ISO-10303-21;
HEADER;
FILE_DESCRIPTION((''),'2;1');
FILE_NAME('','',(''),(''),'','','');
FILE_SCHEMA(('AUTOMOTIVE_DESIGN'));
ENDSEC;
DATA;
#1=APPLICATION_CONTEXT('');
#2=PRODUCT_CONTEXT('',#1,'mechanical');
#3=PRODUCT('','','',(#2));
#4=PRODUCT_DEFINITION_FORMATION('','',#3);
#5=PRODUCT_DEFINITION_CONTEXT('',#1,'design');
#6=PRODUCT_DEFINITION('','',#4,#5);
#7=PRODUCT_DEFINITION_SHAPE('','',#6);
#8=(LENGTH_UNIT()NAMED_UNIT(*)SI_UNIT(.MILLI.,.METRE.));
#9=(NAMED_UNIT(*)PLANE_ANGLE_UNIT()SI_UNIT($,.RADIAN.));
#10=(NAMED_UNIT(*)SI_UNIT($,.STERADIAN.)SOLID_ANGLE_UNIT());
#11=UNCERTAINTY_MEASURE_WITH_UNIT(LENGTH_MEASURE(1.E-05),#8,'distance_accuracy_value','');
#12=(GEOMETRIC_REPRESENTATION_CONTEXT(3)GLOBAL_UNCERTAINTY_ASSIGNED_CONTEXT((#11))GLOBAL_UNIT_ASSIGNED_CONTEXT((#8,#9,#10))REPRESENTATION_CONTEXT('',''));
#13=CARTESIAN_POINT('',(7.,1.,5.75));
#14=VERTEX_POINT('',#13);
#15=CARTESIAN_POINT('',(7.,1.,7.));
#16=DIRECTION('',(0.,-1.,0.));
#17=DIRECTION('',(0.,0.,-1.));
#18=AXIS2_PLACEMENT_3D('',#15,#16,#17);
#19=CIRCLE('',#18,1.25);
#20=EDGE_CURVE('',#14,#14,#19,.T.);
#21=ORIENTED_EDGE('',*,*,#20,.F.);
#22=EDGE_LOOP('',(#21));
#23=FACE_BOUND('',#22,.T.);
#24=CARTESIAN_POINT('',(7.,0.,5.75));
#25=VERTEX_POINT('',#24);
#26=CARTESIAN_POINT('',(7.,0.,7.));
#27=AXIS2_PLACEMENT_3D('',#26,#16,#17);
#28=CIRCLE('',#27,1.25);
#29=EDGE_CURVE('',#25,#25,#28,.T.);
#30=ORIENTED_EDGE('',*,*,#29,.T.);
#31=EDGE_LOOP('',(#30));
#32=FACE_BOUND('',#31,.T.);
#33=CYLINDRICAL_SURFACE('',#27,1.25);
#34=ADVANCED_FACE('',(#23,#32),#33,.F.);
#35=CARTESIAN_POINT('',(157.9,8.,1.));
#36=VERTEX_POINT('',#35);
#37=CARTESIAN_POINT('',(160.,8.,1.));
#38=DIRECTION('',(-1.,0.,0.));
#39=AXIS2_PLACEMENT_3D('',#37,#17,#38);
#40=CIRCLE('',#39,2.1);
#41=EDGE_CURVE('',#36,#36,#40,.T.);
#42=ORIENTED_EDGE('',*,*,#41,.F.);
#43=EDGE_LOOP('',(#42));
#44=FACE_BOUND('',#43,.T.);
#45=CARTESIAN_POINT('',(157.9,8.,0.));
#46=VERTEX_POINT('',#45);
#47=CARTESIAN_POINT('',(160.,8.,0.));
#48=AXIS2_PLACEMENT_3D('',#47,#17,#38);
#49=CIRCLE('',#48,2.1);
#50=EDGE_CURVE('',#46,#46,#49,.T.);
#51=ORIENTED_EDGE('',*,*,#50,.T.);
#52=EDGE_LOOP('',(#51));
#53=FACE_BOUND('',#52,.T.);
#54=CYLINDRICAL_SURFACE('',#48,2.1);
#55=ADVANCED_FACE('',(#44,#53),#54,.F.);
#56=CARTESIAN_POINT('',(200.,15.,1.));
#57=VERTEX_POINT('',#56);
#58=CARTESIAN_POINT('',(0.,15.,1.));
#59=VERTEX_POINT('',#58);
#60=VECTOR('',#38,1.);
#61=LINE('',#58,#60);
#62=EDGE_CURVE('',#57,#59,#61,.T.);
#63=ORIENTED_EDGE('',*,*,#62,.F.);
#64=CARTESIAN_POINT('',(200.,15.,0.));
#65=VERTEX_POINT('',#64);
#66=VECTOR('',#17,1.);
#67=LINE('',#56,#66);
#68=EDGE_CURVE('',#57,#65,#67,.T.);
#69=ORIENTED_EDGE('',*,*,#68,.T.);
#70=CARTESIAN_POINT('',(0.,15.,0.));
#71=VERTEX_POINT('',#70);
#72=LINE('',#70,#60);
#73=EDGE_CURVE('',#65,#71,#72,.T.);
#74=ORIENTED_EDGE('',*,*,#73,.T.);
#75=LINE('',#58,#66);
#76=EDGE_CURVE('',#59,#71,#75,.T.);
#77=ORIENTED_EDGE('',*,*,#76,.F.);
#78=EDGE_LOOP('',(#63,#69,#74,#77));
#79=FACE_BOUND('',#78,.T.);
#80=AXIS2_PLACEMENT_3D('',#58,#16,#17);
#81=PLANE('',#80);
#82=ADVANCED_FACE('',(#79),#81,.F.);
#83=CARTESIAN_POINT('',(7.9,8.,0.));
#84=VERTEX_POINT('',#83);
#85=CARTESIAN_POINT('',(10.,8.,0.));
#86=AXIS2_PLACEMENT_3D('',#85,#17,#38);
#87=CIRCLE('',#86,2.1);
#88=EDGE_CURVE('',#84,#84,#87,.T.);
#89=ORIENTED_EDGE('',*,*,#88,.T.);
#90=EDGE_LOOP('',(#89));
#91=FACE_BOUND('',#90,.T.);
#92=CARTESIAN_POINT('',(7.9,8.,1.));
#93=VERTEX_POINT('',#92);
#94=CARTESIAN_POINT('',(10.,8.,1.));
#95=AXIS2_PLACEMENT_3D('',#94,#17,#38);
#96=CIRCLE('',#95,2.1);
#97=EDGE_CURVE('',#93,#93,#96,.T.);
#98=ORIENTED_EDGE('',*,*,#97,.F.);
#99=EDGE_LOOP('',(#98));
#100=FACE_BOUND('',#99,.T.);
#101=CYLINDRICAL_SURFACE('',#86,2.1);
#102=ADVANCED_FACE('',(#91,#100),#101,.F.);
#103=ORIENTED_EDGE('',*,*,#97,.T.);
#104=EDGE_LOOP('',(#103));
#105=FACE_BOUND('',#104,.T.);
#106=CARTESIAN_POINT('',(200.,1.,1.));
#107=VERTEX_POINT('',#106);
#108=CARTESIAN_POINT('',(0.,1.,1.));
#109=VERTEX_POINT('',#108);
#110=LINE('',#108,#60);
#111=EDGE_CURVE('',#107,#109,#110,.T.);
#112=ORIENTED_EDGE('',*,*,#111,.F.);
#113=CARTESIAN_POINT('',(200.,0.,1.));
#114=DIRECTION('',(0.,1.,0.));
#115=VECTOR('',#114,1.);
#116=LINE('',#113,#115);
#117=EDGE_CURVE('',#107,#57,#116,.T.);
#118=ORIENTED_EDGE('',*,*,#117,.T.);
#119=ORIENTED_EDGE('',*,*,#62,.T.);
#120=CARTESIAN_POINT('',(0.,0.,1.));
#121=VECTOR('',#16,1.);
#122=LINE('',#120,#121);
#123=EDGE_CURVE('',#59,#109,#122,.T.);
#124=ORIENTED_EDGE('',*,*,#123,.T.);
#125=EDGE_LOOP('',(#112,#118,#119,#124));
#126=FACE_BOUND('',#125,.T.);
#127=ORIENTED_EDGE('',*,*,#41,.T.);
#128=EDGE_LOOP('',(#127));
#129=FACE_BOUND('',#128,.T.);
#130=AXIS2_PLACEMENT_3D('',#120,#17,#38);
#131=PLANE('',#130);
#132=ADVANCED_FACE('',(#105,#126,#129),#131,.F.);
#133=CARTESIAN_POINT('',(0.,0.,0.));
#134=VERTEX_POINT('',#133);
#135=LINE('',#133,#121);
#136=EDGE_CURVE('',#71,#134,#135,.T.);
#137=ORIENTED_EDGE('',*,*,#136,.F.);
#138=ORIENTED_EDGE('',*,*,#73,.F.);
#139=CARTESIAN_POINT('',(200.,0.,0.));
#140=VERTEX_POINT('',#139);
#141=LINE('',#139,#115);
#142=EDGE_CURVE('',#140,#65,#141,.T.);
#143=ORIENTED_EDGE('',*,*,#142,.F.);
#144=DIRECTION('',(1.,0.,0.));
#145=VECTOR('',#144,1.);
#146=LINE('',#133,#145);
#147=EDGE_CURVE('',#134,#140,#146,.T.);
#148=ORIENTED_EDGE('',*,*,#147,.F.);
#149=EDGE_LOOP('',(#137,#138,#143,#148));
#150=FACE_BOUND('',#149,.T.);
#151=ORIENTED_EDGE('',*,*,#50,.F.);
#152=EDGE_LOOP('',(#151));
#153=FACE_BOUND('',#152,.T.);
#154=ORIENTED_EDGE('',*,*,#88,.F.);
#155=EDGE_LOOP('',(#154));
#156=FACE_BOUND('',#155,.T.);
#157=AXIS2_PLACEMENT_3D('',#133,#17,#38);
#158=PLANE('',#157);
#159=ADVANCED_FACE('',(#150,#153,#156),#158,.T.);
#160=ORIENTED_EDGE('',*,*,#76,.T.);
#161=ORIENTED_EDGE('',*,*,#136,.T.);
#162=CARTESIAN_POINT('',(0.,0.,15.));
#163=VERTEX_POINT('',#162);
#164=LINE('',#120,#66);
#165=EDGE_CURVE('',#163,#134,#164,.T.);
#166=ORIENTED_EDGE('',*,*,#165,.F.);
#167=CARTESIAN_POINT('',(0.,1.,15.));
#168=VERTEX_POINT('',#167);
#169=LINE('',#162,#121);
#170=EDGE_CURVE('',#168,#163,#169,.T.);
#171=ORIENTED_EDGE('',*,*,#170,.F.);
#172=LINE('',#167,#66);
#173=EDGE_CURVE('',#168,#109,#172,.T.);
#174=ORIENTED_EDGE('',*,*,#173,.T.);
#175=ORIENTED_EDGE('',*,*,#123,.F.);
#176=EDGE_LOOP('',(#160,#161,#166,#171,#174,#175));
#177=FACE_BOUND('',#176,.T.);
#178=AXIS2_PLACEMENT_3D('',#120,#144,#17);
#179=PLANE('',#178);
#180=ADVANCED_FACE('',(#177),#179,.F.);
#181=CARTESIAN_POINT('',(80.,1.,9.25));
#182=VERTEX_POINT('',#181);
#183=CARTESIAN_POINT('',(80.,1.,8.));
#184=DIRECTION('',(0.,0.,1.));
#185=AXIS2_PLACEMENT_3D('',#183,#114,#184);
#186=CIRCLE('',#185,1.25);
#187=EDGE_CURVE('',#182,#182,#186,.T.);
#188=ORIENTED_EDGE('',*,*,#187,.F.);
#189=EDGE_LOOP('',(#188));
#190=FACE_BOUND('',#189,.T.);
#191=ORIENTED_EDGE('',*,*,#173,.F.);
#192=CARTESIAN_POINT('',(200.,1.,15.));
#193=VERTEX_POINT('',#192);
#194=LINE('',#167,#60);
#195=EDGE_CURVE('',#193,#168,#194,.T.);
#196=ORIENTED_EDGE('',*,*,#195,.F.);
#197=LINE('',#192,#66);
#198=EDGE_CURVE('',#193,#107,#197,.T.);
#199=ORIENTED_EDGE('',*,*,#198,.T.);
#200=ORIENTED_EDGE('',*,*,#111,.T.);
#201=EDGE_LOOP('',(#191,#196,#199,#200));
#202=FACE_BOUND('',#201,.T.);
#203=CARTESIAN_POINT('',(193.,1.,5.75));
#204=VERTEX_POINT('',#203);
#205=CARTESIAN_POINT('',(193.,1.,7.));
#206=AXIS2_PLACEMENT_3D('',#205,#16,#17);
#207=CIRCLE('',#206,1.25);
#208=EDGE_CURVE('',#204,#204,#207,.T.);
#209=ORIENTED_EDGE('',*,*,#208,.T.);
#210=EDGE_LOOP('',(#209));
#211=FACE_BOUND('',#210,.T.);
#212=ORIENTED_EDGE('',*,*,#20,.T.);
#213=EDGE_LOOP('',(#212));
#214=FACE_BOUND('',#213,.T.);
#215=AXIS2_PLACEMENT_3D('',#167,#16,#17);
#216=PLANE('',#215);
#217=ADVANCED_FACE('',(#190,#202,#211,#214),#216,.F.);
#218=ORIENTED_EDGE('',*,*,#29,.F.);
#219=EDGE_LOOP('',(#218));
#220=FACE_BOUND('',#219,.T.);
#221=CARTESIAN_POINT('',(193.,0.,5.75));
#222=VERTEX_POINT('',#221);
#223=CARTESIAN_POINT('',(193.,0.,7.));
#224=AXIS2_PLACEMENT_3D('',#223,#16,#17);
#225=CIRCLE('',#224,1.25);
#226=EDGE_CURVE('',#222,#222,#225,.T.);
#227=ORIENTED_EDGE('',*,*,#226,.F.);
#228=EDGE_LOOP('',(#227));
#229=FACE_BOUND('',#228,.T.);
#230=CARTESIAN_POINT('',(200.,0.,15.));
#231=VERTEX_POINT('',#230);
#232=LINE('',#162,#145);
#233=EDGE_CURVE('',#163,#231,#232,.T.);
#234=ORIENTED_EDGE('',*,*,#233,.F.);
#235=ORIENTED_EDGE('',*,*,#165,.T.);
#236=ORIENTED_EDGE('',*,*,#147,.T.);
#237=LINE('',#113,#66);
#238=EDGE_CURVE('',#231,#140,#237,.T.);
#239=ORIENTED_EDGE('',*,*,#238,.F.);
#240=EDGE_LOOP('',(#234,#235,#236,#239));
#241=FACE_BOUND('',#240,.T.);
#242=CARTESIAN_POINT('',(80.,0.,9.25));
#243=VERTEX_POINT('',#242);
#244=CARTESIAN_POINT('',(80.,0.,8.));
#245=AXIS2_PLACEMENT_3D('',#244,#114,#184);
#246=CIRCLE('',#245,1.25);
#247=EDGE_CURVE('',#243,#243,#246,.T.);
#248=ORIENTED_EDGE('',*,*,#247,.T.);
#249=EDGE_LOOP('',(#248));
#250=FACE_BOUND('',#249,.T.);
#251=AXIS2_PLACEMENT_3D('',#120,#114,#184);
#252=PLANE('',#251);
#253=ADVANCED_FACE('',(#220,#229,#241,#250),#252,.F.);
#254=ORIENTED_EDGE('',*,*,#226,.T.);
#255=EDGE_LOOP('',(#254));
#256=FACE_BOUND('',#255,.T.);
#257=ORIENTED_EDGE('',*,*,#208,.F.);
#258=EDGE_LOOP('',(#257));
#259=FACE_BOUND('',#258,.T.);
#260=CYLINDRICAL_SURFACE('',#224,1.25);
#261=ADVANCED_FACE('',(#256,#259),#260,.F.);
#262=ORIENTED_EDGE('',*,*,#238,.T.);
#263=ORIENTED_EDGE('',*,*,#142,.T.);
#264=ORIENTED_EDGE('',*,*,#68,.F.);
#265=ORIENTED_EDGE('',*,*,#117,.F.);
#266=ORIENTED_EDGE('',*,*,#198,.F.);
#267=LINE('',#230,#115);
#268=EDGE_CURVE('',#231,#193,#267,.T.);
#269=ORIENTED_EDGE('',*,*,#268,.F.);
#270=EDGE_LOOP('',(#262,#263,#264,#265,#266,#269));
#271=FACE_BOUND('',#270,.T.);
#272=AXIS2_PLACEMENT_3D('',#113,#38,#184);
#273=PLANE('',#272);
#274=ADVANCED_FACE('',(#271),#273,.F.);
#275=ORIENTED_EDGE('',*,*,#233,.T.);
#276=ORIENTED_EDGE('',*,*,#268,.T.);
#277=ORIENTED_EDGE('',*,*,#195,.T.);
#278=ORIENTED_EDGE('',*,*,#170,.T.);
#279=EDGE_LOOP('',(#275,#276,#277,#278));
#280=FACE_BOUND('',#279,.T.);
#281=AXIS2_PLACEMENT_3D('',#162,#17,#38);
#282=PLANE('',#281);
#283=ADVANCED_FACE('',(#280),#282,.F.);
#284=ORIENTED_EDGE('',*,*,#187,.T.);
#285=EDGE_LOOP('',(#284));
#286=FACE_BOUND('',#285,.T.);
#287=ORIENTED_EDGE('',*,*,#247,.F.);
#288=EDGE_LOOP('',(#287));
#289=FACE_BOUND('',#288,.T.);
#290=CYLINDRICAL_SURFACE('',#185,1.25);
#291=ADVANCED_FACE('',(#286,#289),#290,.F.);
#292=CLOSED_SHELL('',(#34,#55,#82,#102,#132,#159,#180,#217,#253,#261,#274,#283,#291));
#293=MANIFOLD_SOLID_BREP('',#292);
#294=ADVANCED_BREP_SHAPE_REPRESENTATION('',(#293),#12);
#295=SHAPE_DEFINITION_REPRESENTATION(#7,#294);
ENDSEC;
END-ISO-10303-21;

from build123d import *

# Parameters (mm, degrees)
SKETCH_1_W      = 200
SKETCH_1_H      = 15
EXTRUDE_1_DEPTH = 1
SKETCH_2_W      = 200
SKETCH_2_H      = 1
EXTRUDE_2_DEPTH = 14
M5X0_8_1_D      = 4.2
M3X0_5_1_D      = 2.5
M3X0_5_2_D      = 2.5


with BuildPart() as part:
    # ｽｹｯﾁ1 → ﾎﾞｽ - 押し出し1 (new body)
    with BuildSketch(Plane.XY):
        with Locations((100, 7.5)):
            Rectangle(SKETCH_1_W, SKETCH_1_H)
    extrude(amount=EXTRUDE_1_DEPTH)

    # ｽｹｯﾁ2 → ﾎﾞｽ - 押し出し2 (add)
    with BuildSketch(Plane.XY.offset(1)):
        with Locations((100, 0.5)):
            Rectangle(SKETCH_2_W, SKETCH_2_H)
    extrude(amount=EXTRUDE_2_DEPTH)

    # M5x0.8 ねじ穴1 (through all)
    with Locations(Plane(origin=(0, 0, 0), x_dir=(-1, 0, 0), z_dir=(0, 0, -1))):
        with Locations((-10, 8), (-160, 8)):
            Hole(M5X0_8_1_D / 2)

    # M3x0.5 ねじ穴1 (through all)
    with Locations(Plane(origin=(0, 0, 0), x_dir=(-1, 0, 0), z_dir=(0, -1, 0))):
        with Locations((-193, -7)):
            m3x0_5_1 = Hole(M3X0_5_1_D / 2)

    # M3x0.5 ねじ穴2 (through all)
    with Locations(Plane(origin=(0, 1, 0), x_dir=(1, 0, 0), z_dir=(0, 1, 0))):
        with Locations((80, -8)):
            Hole(M3X0_5_2_D / 2)

    # ﾐﾗｰ2: M3x0.5 ねじ穴1 across plane
    add(m3x0_5_1.mirror(Plane(origin=(100, 0, 0), x_dir=(0, 0, 1), z_dir=(1, 0, 0))), mode=Mode.SUBTRACT)


solid = part.part
